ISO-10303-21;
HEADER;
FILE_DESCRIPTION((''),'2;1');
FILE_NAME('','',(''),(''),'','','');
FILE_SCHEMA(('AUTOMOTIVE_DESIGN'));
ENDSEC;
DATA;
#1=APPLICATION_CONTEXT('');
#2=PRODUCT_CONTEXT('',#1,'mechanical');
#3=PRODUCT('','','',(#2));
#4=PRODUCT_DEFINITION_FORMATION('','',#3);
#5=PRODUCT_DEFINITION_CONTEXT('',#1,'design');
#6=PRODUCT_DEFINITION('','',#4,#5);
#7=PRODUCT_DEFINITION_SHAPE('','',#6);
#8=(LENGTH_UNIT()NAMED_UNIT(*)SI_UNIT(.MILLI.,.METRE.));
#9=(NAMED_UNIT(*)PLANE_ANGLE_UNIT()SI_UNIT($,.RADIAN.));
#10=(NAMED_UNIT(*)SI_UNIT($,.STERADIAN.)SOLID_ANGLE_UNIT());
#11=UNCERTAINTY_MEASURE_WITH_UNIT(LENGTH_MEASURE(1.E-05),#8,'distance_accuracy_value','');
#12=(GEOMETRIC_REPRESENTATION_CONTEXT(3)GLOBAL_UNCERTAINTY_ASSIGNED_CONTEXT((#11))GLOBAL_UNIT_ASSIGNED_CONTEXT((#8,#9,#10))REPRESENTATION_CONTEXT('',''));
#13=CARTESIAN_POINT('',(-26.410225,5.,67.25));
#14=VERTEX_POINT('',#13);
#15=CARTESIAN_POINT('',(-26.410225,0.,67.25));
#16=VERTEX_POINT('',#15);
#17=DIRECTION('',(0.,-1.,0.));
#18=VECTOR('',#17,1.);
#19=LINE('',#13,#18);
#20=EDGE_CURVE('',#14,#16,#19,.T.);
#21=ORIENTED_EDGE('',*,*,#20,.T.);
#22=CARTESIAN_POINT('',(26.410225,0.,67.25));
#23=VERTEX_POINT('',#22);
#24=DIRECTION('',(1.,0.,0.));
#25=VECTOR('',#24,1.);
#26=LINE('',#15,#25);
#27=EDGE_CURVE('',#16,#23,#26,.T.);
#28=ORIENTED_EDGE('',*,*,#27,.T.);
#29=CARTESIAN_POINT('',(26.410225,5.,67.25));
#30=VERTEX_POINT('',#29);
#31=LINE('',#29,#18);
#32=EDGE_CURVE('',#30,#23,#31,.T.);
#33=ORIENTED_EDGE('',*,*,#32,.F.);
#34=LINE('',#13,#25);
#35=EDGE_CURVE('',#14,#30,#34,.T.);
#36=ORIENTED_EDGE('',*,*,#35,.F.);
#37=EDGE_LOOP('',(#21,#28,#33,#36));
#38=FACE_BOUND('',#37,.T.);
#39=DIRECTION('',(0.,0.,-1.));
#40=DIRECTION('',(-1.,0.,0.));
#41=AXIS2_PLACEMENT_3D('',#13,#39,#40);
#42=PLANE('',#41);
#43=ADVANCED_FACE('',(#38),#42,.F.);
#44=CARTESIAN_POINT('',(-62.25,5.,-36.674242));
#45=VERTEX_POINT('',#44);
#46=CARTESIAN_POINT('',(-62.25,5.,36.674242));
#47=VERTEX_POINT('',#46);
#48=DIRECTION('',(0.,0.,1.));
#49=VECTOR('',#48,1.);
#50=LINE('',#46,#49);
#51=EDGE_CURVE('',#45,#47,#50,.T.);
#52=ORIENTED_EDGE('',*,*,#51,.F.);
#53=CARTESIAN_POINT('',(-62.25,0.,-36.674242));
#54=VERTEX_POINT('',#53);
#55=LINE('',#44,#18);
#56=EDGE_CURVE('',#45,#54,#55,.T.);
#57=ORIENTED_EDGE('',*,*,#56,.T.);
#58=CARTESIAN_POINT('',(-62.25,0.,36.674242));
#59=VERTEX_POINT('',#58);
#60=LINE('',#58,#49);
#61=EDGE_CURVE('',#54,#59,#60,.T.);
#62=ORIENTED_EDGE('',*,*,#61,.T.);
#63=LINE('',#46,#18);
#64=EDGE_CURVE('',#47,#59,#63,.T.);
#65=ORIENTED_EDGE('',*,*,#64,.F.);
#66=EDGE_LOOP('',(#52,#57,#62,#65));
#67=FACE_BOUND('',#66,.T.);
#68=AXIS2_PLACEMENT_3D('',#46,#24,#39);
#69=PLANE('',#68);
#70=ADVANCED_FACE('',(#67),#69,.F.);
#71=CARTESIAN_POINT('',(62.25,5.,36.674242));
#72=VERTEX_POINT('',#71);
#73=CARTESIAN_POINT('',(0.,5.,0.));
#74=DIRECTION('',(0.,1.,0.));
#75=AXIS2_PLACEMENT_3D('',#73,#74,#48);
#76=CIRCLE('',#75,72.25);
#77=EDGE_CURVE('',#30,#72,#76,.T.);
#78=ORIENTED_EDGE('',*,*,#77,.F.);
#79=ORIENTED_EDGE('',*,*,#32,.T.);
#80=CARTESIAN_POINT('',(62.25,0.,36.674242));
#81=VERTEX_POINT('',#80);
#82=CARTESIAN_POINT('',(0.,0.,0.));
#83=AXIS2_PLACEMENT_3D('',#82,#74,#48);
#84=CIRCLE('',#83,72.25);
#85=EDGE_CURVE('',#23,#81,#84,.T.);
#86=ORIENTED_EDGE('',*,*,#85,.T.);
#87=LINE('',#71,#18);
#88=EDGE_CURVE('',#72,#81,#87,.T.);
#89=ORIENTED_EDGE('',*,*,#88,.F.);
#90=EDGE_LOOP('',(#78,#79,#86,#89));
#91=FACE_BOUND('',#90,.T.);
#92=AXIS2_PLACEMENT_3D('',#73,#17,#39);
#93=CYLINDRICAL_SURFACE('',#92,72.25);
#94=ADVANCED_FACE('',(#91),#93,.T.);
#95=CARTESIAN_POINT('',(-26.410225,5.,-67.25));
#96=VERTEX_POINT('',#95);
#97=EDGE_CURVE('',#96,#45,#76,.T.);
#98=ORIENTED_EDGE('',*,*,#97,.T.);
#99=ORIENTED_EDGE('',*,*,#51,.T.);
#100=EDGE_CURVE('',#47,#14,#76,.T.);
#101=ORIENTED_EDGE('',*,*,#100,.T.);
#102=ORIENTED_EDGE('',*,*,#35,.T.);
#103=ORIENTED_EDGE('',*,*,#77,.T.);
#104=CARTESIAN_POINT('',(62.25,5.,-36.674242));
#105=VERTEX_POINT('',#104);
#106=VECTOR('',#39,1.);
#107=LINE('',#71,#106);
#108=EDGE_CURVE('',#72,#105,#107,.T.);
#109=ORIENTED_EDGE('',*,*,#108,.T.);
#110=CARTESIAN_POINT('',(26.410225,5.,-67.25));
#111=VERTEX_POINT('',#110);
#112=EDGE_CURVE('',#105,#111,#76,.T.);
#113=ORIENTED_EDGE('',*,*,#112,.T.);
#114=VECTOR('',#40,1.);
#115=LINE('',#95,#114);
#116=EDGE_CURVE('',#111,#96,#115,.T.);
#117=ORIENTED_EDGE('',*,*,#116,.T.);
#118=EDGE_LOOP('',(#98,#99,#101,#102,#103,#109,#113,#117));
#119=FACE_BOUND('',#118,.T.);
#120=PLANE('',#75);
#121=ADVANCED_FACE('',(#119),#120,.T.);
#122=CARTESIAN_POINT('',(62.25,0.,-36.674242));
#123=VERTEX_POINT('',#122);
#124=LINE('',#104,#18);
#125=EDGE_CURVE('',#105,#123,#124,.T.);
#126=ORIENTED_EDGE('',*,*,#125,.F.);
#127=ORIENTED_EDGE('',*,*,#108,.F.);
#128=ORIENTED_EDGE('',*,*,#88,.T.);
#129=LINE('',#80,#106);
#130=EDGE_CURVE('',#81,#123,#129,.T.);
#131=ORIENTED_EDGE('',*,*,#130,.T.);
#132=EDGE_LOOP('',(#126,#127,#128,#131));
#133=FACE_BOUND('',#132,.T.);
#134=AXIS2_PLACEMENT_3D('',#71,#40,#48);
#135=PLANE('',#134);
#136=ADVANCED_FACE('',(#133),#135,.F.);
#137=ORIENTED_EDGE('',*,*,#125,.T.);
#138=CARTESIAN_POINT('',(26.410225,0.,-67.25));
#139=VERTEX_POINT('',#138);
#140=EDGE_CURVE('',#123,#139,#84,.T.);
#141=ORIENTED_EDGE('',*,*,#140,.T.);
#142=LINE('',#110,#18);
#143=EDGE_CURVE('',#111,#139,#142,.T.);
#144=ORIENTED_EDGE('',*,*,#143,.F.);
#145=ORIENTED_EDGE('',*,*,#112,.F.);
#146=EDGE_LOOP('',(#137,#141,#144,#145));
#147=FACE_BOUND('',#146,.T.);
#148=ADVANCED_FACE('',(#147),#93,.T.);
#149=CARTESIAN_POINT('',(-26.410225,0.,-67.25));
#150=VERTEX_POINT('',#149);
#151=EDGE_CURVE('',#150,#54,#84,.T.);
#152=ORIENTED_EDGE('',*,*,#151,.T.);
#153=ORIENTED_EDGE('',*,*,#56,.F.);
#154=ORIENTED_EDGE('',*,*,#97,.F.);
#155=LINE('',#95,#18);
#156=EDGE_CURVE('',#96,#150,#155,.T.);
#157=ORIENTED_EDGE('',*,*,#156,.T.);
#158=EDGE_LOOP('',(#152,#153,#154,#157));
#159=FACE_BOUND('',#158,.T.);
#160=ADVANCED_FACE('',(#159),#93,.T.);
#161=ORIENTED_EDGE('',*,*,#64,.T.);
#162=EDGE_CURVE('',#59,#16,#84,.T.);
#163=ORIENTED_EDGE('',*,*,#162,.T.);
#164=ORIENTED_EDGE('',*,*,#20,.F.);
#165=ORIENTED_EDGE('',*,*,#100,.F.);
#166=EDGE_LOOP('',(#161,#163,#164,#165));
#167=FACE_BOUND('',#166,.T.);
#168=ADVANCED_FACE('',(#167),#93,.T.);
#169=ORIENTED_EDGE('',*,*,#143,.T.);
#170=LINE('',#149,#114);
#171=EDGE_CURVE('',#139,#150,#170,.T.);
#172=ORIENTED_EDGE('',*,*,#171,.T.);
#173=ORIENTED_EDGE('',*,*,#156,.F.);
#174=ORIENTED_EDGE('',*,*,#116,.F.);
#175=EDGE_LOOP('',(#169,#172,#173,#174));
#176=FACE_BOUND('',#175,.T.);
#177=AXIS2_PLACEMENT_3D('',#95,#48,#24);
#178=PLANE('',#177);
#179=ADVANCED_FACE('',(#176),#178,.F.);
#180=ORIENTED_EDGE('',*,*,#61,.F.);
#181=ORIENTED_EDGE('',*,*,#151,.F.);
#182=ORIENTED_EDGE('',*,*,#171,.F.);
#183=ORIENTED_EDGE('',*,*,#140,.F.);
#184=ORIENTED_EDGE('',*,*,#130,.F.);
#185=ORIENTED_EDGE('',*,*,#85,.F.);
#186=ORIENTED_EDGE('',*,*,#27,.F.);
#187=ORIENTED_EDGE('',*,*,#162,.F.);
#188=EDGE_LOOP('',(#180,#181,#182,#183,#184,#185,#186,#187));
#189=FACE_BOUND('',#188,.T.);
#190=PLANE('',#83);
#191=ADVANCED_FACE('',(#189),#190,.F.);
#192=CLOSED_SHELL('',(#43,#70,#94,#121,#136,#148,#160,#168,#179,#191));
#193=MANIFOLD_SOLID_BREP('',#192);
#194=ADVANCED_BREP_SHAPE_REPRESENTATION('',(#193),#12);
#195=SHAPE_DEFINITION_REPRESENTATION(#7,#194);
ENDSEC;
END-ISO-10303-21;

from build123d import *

# Parameters (mm, degrees)
BOSS_EXTRUDE1_DEPTH = 5


with BuildPart() as part:
    # Sketch1 → Boss-Extrude1 (new body)
    with BuildSketch(Plane(origin=(0, 0, 0), x_dir=(1, 0, 0), z_dir=(0, 1, 0))):
        with BuildLine():
            Line((-26.410225292, -67.25), (26.410225292, -67.25))
            ThreePointArc((26.410225292, -67.25), (46.892196974, -54.965301445), (62.25, -36.674241642))
            Line((62.25, -36.674241642), (62.25, 36.674241642))
            ThreePointArc((62.25, 36.674241642), (46.892196974, 54.965301445), (26.410225292, 67.25))
            Line((26.410225292, 67.25), (-26.410225292, 67.25))
            ThreePointArc((-26.410225292, 67.25), (-46.892196974, 54.965301445), (-62.25, 36.674241642))
            Line((-62.25, 36.674241642), (-62.25, -36.674241642))
            ThreePointArc((-62.25, -36.674241642), (-46.892196974, -54.965301445), (-26.410225292, -67.25))
        make_face()
    extrude(amount=BOSS_EXTRUDE1_DEPTH)


solid = part.part
